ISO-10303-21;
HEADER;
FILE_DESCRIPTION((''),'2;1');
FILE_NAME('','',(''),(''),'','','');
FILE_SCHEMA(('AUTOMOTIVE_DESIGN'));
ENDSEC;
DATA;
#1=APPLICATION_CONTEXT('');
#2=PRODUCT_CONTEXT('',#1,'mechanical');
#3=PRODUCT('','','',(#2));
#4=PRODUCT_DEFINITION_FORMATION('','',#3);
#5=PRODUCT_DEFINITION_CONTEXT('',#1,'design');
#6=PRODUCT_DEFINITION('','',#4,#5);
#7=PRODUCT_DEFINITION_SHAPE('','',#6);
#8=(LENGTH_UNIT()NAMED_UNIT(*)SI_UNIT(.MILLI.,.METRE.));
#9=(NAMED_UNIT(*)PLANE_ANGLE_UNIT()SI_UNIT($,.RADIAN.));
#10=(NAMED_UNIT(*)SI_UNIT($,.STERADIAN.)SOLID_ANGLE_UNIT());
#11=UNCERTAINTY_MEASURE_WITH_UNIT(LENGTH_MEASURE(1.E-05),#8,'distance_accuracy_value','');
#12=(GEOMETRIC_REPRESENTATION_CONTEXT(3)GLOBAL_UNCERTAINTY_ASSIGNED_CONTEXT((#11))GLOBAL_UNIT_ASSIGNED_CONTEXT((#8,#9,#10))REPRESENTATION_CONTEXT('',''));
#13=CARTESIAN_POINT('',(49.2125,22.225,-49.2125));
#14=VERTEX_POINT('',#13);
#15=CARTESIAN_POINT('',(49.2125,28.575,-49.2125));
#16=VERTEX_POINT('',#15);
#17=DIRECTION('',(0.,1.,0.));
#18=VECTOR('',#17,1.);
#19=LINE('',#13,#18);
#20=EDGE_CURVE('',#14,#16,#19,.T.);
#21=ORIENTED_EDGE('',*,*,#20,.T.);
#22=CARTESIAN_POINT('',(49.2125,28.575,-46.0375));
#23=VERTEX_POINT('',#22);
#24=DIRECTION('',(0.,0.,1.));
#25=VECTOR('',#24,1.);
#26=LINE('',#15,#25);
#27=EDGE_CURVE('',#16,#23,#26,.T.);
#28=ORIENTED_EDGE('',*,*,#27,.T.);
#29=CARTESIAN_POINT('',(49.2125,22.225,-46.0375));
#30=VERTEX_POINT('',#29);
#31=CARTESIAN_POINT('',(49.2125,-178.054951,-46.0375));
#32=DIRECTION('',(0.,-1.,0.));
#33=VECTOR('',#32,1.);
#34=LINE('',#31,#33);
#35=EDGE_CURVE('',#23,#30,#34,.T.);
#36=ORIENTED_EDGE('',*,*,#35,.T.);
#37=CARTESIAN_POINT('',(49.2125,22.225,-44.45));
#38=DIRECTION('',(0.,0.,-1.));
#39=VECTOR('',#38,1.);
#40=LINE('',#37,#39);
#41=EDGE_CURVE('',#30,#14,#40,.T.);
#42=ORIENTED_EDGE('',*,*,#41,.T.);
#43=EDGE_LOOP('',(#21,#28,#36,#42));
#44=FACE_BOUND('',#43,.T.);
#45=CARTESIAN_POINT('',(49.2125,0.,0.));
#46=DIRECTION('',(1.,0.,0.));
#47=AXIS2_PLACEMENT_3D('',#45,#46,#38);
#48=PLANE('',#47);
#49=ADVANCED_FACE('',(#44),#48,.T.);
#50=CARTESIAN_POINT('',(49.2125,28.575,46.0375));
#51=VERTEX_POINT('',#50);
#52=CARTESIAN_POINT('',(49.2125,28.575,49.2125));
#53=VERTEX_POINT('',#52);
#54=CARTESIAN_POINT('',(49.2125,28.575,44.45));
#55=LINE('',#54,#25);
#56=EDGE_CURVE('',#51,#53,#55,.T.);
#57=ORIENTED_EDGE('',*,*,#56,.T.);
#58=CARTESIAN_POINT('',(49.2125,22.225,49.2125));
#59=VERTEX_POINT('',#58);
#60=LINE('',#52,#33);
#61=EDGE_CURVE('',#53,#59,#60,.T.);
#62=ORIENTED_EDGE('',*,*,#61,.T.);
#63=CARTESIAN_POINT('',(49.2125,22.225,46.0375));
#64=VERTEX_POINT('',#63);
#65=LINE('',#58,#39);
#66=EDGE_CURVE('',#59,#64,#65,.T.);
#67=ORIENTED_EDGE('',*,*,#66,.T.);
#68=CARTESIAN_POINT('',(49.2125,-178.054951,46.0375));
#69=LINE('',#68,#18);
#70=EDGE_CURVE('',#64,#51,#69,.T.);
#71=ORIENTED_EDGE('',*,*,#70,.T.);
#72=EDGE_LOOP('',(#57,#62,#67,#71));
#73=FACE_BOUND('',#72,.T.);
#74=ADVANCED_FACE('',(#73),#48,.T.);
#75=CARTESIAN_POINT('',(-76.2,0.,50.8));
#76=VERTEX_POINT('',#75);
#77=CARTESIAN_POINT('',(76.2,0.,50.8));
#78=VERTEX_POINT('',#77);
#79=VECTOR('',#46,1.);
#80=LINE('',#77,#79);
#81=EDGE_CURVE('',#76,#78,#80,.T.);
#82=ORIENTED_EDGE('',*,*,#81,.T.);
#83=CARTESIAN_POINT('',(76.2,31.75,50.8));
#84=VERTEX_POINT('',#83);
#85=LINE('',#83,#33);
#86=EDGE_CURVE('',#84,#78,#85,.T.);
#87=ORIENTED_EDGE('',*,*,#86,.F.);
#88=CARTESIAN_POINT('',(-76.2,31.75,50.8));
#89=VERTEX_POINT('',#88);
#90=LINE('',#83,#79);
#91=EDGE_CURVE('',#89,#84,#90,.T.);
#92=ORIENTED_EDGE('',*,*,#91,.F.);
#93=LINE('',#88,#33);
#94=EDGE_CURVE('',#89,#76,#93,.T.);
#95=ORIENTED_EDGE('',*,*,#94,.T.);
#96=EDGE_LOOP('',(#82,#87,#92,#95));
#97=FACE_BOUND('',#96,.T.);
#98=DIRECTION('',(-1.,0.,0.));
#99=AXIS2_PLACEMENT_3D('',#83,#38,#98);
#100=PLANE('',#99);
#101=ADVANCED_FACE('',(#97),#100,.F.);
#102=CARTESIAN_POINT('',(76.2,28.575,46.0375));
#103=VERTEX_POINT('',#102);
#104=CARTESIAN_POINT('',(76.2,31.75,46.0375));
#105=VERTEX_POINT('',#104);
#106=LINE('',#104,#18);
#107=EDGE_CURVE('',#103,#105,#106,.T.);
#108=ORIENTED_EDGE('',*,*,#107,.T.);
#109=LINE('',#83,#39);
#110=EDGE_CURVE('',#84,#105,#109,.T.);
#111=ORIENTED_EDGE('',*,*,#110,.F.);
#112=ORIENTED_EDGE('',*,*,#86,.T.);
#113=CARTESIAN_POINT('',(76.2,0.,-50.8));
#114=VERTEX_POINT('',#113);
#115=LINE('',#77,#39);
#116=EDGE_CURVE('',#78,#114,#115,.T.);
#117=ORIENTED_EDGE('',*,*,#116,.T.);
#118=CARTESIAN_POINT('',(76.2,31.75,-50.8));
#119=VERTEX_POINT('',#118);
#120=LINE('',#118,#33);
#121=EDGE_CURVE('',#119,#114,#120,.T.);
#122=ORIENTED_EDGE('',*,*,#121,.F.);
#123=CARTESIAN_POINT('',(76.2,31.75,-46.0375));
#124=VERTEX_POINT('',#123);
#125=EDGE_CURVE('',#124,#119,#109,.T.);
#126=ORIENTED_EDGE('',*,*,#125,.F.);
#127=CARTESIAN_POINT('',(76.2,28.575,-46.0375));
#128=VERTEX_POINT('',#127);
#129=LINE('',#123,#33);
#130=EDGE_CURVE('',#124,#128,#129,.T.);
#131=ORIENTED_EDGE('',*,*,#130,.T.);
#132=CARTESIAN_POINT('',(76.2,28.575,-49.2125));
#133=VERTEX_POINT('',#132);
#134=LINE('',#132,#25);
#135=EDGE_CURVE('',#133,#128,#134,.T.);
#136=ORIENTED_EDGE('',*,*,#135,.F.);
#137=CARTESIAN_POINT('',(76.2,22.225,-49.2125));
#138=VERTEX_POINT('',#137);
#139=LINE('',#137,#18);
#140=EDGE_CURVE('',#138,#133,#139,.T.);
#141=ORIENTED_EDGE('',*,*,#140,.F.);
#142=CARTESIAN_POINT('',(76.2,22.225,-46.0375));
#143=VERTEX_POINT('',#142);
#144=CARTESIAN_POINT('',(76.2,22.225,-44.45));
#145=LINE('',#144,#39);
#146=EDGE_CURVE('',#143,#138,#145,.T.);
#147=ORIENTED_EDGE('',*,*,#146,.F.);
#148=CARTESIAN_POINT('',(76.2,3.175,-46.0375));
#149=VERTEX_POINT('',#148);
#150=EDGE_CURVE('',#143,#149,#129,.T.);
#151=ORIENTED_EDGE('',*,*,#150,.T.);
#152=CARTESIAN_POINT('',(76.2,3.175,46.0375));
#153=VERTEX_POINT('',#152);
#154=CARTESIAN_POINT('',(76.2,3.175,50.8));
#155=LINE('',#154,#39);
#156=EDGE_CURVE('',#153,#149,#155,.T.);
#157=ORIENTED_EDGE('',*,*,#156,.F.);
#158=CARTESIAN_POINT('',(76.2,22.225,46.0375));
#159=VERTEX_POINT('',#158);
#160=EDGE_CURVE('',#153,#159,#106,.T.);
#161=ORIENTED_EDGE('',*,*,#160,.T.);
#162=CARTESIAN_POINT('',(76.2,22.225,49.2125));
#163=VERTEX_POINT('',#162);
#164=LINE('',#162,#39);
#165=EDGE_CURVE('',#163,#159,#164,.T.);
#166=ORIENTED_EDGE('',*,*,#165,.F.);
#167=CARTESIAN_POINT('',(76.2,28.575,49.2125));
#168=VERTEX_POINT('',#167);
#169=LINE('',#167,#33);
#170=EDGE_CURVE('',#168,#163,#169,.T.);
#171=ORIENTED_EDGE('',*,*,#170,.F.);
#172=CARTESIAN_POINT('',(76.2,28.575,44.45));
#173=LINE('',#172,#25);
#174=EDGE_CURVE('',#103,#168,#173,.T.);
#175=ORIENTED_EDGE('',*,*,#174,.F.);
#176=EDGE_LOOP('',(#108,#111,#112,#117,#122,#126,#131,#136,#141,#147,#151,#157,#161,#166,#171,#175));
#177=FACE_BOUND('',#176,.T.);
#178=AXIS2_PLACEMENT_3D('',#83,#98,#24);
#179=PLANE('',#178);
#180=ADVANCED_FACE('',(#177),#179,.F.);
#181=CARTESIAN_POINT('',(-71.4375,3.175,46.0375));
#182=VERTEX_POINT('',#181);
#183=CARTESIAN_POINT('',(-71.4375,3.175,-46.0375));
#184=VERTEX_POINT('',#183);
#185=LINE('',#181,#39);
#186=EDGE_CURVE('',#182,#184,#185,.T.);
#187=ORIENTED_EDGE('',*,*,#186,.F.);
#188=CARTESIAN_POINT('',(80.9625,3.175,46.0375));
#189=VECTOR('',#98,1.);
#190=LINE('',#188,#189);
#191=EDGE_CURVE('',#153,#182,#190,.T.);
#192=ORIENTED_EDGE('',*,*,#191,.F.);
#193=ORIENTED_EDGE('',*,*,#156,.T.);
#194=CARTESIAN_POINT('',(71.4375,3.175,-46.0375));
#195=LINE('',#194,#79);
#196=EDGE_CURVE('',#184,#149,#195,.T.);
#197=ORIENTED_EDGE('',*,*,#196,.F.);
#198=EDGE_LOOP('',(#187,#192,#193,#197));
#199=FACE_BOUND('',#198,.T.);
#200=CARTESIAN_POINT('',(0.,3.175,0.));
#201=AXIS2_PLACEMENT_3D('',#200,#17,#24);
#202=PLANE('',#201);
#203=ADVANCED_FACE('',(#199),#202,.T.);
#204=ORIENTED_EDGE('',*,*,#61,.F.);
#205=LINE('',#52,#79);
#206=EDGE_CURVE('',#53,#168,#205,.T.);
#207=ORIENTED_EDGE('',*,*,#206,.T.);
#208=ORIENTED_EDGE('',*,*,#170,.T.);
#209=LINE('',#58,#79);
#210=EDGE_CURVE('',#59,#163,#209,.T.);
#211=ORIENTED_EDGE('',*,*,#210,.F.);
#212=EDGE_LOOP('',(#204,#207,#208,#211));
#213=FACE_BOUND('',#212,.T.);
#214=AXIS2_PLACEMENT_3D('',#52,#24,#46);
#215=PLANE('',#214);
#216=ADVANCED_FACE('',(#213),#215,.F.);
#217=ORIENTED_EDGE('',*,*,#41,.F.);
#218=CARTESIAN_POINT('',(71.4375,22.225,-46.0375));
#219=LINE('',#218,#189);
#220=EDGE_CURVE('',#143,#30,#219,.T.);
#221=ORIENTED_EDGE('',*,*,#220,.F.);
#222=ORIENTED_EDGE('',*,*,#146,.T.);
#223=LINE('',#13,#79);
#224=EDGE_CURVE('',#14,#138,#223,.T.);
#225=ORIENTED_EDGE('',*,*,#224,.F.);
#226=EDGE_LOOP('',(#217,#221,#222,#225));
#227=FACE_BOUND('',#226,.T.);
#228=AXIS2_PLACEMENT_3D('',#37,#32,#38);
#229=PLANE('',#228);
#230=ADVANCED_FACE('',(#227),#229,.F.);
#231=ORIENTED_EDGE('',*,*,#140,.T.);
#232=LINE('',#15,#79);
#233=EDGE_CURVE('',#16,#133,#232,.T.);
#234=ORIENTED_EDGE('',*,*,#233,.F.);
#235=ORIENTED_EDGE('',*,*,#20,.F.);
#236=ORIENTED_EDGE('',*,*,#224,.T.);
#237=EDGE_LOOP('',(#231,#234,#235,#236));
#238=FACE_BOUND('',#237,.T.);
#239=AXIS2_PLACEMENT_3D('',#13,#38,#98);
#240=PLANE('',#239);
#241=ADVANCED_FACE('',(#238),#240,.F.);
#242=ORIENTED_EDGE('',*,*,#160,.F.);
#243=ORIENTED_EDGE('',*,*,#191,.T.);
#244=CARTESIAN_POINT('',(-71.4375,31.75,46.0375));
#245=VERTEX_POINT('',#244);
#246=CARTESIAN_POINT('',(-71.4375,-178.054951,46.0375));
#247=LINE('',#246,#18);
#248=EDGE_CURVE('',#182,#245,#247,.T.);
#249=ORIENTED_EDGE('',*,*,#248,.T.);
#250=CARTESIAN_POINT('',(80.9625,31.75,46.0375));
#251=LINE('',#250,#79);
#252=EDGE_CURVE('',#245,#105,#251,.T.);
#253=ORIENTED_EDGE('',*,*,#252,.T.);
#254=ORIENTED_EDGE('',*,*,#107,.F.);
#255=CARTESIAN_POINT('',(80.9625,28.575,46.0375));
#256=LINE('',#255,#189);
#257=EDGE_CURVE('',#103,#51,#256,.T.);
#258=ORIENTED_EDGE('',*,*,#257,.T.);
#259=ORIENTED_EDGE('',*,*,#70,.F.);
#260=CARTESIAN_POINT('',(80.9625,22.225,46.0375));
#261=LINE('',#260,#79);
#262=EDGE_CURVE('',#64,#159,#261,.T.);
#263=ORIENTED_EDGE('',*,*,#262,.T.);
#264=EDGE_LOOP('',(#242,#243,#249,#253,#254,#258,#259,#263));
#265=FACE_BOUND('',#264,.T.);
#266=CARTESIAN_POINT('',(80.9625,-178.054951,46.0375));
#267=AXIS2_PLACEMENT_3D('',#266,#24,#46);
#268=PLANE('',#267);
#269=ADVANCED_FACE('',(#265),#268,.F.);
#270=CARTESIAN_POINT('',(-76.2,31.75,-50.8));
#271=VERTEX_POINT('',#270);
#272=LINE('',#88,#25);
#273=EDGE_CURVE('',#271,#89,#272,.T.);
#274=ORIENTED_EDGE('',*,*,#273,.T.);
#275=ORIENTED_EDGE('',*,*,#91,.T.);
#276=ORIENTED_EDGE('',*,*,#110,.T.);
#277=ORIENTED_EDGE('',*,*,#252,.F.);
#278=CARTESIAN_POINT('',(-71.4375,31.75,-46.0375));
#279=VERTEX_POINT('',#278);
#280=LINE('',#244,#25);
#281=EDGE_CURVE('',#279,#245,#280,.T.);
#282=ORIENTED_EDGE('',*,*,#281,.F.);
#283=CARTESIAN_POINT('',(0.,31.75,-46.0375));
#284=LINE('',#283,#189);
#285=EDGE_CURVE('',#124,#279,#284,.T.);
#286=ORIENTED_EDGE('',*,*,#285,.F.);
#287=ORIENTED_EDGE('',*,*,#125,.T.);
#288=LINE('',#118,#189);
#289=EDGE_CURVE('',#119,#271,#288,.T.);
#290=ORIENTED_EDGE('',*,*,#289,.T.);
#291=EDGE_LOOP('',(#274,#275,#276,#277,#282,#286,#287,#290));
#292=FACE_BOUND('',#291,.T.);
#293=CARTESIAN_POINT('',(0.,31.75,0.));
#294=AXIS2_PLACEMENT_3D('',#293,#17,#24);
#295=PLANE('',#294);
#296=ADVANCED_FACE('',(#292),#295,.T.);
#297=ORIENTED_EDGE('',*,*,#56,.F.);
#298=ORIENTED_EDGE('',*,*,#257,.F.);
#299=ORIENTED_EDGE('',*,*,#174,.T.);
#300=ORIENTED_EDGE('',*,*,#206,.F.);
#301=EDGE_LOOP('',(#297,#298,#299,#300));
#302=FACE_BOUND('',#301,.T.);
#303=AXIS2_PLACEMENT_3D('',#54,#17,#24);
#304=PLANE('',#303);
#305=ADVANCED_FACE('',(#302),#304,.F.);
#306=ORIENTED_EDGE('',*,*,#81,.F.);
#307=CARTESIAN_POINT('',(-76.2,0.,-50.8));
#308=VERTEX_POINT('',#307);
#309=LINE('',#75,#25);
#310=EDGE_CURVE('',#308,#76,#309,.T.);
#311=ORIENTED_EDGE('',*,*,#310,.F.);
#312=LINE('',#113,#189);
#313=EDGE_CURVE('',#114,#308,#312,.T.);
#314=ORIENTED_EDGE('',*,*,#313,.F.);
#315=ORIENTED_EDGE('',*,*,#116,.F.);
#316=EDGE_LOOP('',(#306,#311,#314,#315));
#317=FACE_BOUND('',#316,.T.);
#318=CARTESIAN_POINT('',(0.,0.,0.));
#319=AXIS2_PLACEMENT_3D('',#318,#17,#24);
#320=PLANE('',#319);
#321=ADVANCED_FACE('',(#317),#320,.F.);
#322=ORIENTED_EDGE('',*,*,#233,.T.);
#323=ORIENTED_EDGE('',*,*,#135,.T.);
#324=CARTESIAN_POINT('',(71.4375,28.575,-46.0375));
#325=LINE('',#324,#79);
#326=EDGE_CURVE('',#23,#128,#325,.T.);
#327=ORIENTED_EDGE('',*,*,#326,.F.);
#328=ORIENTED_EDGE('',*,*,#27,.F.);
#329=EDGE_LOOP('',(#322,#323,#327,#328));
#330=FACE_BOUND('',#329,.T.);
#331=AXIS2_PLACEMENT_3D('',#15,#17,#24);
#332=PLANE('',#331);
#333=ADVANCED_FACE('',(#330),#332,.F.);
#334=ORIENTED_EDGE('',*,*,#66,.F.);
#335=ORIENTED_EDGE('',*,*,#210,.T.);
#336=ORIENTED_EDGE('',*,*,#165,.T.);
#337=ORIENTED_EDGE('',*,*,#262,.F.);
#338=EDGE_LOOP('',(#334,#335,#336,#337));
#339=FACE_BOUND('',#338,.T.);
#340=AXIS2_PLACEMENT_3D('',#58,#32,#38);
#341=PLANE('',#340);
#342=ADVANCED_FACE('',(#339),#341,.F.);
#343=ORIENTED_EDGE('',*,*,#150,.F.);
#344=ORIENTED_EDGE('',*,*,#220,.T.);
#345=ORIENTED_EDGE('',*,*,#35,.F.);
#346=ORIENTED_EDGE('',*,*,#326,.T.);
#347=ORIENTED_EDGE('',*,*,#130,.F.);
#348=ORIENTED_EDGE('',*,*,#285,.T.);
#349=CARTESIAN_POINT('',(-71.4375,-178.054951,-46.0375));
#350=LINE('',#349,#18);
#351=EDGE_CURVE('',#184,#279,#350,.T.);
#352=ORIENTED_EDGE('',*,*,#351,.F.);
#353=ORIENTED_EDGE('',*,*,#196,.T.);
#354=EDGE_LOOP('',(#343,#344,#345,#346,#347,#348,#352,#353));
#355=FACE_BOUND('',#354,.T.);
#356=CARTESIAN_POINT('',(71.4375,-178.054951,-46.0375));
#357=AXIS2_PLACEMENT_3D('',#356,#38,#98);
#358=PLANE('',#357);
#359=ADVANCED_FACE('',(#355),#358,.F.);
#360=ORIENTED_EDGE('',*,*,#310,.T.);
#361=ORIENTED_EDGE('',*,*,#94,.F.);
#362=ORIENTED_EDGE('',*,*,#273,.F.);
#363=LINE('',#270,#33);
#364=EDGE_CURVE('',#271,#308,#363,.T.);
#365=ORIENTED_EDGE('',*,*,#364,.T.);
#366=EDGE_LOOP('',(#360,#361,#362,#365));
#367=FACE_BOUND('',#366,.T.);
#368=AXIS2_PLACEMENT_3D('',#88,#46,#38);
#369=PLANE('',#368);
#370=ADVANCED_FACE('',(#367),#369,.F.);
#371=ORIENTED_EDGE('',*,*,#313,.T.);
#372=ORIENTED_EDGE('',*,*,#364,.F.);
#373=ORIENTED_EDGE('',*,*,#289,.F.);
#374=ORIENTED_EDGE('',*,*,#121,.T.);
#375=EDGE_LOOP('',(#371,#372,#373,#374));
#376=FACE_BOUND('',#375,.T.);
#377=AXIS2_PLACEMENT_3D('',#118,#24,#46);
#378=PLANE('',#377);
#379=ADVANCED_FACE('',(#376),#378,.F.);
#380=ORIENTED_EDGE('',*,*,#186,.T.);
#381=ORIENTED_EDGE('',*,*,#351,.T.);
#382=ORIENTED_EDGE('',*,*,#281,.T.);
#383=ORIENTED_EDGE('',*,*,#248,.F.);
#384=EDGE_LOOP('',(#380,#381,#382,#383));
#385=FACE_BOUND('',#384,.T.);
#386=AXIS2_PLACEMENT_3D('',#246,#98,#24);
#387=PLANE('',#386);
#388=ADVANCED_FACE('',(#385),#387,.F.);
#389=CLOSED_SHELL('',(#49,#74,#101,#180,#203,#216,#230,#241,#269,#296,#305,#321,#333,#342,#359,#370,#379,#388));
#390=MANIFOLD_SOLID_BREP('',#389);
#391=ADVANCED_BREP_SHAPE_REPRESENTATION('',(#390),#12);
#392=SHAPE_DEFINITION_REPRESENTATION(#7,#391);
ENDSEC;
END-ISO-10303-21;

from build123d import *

# Parameters (mm, degrees)
SKETCH1_W           = 152.4
SKETCH1_H           = 101.6
BOSS_EXTRUDE1_DEPTH = 31.75
CUT_EXTRUDE1_DEPTH  = 28.575
SKETCH3_W           = 4.7625
SKETCH3_H           = 6.35
CUT_EXTRUDE2_DEPTH  = 26.9875


with BuildPart() as part:
    # Sketch1 → Boss-Extrude1 (new body)
    with BuildSketch(Plane(origin=(0, 0, 0), x_dir=(1, 0, 0), z_dir=(0, 1, 0))):
        Rectangle(SKETCH1_W, SKETCH1_H)
    extrude(amount=BOSS_EXTRUDE1_DEPTH)

    # Sketch2 → Cut-Extrude1 (cut)
    with BuildSketch(Plane(origin=(0, 31.75, 0), x_dir=(1, 0, 0), z_dir=(0, 1, 0))):
        Polygon((71.4375, -46.0375), (-71.4375, -46.0375), (-71.4375, 46.0375), (71.4375, 46.0375), (80.9625, 46.0375), (80.9625, -46.0375), align=None)
    extrude(amount=-CUT_EXTRUDE1_DEPTH, mode=Mode.SUBTRACT)

    # Sketch3 → Cut-Extrude2 (cut)
    with BuildSketch(Plane(origin=(76.2, 0, 0), x_dir=(0, 0, -1), z_dir=(1, 0, 0))):
        with Locations((-46.83125, 25.4)):
            Rectangle(SKETCH3_W, SKETCH3_H)
        with Locations((46.83125, 25.4)):
            Rectangle(SKETCH3_W, SKETCH3_H)
    extrude(amount=-CUT_EXTRUDE2_DEPTH, mode=Mode.SUBTRACT)


solid = part.part
